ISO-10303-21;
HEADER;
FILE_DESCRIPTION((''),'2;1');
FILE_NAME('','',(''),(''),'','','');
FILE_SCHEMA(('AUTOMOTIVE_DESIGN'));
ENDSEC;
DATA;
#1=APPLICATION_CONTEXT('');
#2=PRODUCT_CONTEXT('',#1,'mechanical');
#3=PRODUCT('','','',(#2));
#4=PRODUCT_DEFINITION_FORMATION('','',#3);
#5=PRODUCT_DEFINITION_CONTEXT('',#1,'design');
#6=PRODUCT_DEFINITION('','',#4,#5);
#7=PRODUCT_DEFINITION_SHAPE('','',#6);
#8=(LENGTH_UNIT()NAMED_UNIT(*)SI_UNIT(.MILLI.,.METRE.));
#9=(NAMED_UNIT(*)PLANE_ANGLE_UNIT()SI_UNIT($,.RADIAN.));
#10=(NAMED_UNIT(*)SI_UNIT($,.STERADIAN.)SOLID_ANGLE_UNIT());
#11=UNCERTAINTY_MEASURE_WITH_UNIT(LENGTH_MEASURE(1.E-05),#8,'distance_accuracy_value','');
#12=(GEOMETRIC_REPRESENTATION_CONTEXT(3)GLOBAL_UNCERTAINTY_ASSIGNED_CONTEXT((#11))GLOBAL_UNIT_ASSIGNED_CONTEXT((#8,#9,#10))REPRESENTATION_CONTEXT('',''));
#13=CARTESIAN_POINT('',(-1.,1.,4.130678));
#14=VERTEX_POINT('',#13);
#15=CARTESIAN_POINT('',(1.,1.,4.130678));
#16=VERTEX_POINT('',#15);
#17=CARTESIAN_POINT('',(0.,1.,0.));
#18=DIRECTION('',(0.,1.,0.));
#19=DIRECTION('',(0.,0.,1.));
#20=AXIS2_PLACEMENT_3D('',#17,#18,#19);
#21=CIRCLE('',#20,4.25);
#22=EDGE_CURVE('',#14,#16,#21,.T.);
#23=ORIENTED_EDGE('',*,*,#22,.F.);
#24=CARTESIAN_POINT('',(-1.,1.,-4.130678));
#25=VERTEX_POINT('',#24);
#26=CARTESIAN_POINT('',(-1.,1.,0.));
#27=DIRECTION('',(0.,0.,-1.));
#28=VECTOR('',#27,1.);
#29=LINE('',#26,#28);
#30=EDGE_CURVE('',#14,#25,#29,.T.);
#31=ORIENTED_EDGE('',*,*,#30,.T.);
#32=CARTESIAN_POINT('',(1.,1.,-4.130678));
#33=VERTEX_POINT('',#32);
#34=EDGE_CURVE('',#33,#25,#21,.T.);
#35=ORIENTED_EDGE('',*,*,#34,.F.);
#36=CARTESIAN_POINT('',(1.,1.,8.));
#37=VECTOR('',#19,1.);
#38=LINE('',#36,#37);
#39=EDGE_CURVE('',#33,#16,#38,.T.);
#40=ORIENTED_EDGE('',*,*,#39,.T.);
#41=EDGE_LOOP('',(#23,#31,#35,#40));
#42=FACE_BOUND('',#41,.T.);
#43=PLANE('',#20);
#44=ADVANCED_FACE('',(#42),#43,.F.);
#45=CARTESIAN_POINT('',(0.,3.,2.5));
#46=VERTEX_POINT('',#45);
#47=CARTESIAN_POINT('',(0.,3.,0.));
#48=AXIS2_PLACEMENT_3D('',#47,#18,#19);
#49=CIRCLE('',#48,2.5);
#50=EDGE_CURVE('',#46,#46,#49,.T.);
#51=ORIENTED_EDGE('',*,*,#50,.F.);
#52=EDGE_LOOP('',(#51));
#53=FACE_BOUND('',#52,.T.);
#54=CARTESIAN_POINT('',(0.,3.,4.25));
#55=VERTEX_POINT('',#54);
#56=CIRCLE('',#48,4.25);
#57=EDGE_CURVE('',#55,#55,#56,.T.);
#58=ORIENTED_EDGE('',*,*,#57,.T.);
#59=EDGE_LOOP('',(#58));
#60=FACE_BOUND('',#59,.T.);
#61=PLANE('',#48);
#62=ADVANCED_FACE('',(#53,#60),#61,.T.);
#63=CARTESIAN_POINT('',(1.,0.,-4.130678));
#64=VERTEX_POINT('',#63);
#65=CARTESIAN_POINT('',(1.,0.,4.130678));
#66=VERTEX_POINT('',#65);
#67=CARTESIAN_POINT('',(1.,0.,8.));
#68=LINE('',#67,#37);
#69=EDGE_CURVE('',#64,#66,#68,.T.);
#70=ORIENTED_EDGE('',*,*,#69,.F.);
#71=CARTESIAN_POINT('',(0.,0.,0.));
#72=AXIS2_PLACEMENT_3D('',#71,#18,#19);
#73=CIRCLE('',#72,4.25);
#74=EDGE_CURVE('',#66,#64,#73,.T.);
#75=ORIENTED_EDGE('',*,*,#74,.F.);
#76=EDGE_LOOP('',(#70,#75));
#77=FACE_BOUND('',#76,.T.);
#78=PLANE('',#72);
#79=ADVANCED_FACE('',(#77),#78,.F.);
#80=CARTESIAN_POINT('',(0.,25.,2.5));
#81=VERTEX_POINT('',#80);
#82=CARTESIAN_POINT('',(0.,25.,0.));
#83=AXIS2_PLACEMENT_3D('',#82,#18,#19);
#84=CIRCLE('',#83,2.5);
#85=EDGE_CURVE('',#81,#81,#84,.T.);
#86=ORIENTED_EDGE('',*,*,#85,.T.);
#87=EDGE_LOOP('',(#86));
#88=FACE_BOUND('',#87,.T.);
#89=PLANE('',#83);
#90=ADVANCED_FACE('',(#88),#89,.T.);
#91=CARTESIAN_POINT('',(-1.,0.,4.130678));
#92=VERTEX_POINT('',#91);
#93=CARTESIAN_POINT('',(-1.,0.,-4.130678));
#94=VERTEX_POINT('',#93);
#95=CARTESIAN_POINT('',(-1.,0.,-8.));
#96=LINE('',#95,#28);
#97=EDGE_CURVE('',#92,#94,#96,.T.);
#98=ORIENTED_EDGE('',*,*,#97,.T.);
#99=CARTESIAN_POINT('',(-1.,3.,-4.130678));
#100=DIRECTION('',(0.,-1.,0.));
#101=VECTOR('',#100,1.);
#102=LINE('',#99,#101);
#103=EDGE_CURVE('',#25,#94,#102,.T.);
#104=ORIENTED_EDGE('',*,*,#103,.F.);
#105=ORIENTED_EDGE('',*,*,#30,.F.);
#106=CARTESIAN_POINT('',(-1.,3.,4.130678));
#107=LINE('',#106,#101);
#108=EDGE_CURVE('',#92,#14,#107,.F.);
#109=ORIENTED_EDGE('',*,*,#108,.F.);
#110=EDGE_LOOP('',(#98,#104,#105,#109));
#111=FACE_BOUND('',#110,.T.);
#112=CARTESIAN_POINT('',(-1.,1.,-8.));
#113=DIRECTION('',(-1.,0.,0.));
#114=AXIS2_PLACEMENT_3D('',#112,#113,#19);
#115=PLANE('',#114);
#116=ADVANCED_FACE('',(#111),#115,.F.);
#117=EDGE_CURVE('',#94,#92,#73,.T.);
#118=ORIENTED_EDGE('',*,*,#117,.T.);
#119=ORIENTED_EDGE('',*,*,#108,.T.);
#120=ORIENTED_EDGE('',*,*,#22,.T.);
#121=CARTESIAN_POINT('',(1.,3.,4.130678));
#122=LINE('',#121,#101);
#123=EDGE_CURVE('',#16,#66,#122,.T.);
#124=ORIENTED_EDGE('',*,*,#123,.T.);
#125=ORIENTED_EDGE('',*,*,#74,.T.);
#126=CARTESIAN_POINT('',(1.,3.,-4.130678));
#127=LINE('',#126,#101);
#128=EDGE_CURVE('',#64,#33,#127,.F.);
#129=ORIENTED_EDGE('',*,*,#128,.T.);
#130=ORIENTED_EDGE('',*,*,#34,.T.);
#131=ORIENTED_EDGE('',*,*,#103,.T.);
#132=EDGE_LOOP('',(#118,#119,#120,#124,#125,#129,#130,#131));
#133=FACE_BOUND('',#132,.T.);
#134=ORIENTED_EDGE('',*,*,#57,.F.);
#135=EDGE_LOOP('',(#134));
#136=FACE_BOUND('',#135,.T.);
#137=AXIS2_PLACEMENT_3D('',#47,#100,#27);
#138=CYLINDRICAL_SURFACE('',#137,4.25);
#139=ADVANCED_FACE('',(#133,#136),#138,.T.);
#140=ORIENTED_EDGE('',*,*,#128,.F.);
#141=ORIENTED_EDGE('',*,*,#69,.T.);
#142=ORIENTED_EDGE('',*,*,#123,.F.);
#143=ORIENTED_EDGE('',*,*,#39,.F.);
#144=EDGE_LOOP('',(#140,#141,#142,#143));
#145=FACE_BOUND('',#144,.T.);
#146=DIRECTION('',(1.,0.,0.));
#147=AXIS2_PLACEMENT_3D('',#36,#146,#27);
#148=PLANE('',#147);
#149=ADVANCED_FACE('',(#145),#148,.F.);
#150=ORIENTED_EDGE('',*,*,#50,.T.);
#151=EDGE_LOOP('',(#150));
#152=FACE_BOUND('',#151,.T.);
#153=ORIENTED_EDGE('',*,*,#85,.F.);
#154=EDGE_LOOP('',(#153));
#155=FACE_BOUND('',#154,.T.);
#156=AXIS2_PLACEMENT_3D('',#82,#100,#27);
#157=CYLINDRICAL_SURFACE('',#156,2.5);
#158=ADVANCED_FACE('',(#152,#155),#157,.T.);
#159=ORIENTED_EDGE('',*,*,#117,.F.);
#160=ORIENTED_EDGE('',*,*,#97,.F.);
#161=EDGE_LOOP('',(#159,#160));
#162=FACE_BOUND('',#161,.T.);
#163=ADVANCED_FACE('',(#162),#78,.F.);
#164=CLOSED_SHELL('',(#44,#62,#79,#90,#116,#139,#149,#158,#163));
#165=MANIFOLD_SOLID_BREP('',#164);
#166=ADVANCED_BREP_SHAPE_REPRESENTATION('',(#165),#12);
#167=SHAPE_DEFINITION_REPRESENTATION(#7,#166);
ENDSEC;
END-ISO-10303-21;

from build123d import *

# Parameters (mm, degrees)
ESQUISSE1_R             = 4.25
ESQUISSE1_R_2           = 2.5
BOSS_EXTRU_1_DEPTH      = 3
ESQUISSE1_4_R           = 2.5
BOSS_EXTRU_3_DEPTH      = 25
ENL_V_MAT_EXTRU_1_DEPTH = 1


with BuildPart() as part:
    # Esquisse1 → Boss.-Extru.1 (new body)
    with BuildSketch(Plane(origin=(0, 0, 0), x_dir=(1, 0, 0), z_dir=(0, 1, 0))):
        Circle(ESQUISSE1_R)
        Circle(ESQUISSE1_R_2, mode=Mode.SUBTRACT)
    extrude(amount=BOSS_EXTRU_1_DEPTH)

    # Esquisse1<4> → Boss.-Extru.3 (add)
    with BuildSketch(Plane(origin=(0, 0, 0), x_dir=(1, 0, 0), z_dir=(0, 1, 0))):
        Circle(ESQUISSE1_4_R)
    extrude(amount=BOSS_EXTRU_3_DEPTH)

    # Esquisse2 → Enlèv. mat.-Extru.1 (cut)
    with BuildSketch(Plane.XZ):
        Polygon((-1, 0), (-1, 8), (1, 8), (1, -8), (-1, -8), align=None)
    extrude(amount=-ENL_V_MAT_EXTRU_1_DEPTH, mode=Mode.SUBTRACT)


solid = part.part
